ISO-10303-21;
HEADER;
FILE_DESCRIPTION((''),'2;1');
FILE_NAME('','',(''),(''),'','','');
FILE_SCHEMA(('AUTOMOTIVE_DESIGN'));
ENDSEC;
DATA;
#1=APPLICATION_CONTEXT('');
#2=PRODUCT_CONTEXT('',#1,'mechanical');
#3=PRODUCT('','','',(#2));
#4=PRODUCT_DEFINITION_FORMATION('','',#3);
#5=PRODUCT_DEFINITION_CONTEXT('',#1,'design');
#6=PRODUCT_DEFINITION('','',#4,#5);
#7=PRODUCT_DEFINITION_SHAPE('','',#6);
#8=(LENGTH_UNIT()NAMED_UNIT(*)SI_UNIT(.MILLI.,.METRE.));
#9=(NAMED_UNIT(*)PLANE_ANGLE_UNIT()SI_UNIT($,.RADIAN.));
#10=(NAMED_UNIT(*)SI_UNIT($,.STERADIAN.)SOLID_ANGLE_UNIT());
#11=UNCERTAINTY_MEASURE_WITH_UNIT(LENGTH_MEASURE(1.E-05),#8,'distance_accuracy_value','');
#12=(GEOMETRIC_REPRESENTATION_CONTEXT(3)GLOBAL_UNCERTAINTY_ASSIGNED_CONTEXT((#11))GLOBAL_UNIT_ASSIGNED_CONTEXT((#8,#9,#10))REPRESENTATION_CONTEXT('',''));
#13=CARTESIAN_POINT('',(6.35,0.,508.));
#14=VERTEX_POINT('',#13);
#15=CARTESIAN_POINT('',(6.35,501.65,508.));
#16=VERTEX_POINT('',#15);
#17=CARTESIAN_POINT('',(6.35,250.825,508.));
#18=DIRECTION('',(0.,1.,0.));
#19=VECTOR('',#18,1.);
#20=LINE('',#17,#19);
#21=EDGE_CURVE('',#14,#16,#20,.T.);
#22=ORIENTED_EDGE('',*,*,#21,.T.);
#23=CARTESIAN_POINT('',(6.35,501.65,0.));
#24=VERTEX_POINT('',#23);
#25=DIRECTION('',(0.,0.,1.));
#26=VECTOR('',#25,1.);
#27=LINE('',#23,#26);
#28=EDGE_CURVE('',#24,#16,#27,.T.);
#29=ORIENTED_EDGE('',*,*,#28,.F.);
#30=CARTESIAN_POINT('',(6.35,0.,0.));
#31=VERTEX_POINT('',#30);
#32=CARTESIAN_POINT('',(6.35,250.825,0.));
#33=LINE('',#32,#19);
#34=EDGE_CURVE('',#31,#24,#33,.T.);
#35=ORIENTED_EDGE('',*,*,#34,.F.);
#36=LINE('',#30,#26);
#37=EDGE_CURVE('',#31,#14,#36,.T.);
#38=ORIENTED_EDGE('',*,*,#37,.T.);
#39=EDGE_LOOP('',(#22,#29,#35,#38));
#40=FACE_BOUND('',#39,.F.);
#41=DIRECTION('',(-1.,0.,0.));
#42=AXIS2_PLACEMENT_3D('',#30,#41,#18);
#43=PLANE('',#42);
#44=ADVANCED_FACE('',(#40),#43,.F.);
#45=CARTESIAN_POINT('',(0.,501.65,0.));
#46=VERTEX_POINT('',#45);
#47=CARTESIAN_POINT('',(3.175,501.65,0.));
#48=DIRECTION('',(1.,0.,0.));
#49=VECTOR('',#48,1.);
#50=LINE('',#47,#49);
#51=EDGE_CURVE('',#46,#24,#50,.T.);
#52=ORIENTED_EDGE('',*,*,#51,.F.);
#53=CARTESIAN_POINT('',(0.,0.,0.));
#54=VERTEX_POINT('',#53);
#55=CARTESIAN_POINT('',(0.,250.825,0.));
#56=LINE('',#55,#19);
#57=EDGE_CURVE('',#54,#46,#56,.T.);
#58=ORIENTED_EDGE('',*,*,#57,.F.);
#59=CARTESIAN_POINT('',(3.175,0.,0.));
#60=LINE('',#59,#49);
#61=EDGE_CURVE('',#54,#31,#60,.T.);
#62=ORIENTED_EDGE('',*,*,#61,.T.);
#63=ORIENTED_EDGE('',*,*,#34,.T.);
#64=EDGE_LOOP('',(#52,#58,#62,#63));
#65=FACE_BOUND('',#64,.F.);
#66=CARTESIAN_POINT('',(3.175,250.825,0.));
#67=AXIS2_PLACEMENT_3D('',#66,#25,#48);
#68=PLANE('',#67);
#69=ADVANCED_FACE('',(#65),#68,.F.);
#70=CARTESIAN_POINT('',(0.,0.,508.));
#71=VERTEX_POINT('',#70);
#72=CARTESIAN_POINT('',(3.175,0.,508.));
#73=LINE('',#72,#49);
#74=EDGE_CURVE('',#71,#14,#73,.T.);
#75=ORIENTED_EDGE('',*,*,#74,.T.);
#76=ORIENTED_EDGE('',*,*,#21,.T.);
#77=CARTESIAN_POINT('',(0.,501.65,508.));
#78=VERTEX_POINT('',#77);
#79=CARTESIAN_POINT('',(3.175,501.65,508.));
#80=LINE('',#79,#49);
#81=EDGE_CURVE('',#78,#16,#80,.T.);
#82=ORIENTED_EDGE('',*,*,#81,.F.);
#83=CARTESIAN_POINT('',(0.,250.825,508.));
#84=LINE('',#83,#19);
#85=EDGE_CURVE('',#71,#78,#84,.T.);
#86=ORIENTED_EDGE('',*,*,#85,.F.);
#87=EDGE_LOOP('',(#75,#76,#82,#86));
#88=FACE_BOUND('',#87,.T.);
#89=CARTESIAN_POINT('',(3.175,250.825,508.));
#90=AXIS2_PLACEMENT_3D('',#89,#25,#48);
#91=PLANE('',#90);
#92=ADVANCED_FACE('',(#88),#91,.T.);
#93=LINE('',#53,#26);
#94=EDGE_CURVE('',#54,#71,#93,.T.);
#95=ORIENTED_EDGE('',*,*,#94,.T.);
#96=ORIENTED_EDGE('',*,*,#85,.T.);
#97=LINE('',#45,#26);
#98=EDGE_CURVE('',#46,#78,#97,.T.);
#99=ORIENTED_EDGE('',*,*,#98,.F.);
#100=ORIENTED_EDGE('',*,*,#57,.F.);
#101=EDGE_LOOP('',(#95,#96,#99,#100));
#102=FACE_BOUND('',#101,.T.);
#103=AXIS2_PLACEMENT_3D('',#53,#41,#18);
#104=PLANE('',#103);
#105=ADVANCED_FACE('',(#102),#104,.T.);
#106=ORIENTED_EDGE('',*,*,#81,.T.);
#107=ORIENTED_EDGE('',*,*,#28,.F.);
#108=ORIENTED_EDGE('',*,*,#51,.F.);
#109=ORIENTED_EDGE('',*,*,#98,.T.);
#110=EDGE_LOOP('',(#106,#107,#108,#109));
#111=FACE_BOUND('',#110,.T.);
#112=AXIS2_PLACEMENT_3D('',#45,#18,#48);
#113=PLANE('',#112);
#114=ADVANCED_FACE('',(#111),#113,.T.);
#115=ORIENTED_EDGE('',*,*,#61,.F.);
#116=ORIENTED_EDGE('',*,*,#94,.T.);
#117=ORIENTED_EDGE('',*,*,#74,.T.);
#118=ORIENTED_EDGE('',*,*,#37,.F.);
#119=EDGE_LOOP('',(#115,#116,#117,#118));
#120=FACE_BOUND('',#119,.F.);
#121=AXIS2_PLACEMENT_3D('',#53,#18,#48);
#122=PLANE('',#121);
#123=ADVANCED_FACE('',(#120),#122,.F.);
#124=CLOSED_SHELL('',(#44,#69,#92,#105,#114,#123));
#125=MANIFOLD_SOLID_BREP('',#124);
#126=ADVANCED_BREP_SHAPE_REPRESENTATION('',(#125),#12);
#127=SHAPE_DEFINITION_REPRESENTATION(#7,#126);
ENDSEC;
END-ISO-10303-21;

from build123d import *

# Parameters (mm, degrees)
BOX_W     = 6.35
BOX_H     = 501.65
BOX_DEPTH = 508


with BuildPart() as part:
    # Box → Box (new body)
    with BuildSketch(Plane.XY):
        with Locations((3.175, 250.825)):
            Rectangle(BOX_W, BOX_H)
    extrude(amount=BOX_DEPTH)


solid = part.part
